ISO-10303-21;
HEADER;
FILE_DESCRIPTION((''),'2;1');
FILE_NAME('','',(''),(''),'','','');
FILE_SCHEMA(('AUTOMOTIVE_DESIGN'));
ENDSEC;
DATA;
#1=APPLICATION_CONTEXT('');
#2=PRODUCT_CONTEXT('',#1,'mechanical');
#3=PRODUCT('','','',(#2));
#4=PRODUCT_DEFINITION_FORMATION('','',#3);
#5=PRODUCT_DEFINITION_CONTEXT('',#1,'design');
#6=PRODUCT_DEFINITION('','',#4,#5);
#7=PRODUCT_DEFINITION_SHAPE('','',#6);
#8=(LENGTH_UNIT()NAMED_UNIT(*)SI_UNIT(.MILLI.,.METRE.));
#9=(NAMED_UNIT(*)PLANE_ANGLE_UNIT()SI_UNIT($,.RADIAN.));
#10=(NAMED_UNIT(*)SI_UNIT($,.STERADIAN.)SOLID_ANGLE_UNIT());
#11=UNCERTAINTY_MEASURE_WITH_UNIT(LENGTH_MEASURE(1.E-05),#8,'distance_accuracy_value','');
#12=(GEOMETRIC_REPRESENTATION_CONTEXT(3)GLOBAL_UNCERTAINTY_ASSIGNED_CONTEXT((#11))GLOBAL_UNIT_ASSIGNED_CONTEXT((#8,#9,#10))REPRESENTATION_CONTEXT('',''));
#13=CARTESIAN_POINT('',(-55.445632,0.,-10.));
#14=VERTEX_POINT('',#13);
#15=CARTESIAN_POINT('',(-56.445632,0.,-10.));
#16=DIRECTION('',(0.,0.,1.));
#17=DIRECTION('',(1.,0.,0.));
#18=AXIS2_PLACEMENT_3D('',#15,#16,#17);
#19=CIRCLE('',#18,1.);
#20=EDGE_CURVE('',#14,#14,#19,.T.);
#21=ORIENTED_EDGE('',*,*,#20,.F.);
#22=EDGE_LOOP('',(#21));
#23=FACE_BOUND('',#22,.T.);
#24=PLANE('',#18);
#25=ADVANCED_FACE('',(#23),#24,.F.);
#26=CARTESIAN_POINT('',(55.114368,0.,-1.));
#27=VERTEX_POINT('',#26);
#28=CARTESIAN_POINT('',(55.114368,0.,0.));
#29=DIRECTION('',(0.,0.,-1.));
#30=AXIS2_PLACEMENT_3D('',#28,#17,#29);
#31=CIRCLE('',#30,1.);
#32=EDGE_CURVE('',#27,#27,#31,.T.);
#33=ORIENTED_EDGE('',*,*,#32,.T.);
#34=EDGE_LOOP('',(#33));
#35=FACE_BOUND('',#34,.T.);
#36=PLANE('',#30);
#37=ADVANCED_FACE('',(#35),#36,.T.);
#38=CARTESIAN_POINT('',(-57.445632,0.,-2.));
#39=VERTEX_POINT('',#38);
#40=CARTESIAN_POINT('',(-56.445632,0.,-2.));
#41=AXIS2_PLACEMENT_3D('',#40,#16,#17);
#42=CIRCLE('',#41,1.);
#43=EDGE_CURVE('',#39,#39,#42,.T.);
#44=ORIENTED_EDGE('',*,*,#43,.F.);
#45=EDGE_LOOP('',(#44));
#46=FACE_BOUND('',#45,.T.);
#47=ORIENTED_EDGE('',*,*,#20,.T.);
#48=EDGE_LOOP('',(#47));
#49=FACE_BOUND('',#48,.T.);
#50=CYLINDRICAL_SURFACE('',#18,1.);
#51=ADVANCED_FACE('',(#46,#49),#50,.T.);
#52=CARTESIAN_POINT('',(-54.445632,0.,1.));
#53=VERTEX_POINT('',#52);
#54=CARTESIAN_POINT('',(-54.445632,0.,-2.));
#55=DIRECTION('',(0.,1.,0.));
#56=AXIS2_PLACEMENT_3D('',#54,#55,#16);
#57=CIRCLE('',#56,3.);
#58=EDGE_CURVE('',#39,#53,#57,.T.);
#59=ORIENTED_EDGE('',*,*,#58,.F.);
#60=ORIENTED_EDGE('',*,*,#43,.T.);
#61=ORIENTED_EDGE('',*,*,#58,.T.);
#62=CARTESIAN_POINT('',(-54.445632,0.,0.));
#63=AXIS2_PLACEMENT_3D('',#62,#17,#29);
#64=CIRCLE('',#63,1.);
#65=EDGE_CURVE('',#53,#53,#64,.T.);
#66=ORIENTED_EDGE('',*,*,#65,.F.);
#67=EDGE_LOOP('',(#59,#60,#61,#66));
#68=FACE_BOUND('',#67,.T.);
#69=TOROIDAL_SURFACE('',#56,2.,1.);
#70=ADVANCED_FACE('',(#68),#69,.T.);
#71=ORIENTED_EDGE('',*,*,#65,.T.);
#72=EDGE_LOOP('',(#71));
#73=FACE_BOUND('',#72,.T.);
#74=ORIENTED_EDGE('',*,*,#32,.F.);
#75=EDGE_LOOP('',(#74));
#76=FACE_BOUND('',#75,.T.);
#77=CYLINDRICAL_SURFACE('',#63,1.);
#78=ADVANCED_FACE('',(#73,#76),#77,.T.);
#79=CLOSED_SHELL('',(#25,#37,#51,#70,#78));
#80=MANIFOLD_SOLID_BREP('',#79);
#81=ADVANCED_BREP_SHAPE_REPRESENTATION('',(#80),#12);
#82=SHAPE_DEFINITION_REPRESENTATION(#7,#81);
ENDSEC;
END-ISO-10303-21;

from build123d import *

# Parameters (mm, degrees)
SWEEP_1_PROFILE_R = 1


with BuildPart() as part:
    # 스윕1: sweep along a path in 스케치1
    with BuildLine(Plane(origin=(0, 0, 0), x_dir=(1, 0, 0), z_dir=(0, 1, 0))) as sweep_1_path:
        Line((55.114367542, 0), (-54.445632458, 0))
        ThreePointArc((-54.445632458, 0), (-55.859846021, 0.585786438), (-56.445632458, 2))
        Line((-56.445632458, 2), (-56.445632458, 10))
    # 스윕1 profile (on start of the path) → 스윕1 (sweep)
    with BuildSketch(Plane(origin=(55.114367542, 0, 0), x_dir=(0, 0, -1), z_dir=(-1, 0, 0))):
        Circle(SWEEP_1_PROFILE_R)
    sweep(path=sweep_1_path.line)


solid = part.part
